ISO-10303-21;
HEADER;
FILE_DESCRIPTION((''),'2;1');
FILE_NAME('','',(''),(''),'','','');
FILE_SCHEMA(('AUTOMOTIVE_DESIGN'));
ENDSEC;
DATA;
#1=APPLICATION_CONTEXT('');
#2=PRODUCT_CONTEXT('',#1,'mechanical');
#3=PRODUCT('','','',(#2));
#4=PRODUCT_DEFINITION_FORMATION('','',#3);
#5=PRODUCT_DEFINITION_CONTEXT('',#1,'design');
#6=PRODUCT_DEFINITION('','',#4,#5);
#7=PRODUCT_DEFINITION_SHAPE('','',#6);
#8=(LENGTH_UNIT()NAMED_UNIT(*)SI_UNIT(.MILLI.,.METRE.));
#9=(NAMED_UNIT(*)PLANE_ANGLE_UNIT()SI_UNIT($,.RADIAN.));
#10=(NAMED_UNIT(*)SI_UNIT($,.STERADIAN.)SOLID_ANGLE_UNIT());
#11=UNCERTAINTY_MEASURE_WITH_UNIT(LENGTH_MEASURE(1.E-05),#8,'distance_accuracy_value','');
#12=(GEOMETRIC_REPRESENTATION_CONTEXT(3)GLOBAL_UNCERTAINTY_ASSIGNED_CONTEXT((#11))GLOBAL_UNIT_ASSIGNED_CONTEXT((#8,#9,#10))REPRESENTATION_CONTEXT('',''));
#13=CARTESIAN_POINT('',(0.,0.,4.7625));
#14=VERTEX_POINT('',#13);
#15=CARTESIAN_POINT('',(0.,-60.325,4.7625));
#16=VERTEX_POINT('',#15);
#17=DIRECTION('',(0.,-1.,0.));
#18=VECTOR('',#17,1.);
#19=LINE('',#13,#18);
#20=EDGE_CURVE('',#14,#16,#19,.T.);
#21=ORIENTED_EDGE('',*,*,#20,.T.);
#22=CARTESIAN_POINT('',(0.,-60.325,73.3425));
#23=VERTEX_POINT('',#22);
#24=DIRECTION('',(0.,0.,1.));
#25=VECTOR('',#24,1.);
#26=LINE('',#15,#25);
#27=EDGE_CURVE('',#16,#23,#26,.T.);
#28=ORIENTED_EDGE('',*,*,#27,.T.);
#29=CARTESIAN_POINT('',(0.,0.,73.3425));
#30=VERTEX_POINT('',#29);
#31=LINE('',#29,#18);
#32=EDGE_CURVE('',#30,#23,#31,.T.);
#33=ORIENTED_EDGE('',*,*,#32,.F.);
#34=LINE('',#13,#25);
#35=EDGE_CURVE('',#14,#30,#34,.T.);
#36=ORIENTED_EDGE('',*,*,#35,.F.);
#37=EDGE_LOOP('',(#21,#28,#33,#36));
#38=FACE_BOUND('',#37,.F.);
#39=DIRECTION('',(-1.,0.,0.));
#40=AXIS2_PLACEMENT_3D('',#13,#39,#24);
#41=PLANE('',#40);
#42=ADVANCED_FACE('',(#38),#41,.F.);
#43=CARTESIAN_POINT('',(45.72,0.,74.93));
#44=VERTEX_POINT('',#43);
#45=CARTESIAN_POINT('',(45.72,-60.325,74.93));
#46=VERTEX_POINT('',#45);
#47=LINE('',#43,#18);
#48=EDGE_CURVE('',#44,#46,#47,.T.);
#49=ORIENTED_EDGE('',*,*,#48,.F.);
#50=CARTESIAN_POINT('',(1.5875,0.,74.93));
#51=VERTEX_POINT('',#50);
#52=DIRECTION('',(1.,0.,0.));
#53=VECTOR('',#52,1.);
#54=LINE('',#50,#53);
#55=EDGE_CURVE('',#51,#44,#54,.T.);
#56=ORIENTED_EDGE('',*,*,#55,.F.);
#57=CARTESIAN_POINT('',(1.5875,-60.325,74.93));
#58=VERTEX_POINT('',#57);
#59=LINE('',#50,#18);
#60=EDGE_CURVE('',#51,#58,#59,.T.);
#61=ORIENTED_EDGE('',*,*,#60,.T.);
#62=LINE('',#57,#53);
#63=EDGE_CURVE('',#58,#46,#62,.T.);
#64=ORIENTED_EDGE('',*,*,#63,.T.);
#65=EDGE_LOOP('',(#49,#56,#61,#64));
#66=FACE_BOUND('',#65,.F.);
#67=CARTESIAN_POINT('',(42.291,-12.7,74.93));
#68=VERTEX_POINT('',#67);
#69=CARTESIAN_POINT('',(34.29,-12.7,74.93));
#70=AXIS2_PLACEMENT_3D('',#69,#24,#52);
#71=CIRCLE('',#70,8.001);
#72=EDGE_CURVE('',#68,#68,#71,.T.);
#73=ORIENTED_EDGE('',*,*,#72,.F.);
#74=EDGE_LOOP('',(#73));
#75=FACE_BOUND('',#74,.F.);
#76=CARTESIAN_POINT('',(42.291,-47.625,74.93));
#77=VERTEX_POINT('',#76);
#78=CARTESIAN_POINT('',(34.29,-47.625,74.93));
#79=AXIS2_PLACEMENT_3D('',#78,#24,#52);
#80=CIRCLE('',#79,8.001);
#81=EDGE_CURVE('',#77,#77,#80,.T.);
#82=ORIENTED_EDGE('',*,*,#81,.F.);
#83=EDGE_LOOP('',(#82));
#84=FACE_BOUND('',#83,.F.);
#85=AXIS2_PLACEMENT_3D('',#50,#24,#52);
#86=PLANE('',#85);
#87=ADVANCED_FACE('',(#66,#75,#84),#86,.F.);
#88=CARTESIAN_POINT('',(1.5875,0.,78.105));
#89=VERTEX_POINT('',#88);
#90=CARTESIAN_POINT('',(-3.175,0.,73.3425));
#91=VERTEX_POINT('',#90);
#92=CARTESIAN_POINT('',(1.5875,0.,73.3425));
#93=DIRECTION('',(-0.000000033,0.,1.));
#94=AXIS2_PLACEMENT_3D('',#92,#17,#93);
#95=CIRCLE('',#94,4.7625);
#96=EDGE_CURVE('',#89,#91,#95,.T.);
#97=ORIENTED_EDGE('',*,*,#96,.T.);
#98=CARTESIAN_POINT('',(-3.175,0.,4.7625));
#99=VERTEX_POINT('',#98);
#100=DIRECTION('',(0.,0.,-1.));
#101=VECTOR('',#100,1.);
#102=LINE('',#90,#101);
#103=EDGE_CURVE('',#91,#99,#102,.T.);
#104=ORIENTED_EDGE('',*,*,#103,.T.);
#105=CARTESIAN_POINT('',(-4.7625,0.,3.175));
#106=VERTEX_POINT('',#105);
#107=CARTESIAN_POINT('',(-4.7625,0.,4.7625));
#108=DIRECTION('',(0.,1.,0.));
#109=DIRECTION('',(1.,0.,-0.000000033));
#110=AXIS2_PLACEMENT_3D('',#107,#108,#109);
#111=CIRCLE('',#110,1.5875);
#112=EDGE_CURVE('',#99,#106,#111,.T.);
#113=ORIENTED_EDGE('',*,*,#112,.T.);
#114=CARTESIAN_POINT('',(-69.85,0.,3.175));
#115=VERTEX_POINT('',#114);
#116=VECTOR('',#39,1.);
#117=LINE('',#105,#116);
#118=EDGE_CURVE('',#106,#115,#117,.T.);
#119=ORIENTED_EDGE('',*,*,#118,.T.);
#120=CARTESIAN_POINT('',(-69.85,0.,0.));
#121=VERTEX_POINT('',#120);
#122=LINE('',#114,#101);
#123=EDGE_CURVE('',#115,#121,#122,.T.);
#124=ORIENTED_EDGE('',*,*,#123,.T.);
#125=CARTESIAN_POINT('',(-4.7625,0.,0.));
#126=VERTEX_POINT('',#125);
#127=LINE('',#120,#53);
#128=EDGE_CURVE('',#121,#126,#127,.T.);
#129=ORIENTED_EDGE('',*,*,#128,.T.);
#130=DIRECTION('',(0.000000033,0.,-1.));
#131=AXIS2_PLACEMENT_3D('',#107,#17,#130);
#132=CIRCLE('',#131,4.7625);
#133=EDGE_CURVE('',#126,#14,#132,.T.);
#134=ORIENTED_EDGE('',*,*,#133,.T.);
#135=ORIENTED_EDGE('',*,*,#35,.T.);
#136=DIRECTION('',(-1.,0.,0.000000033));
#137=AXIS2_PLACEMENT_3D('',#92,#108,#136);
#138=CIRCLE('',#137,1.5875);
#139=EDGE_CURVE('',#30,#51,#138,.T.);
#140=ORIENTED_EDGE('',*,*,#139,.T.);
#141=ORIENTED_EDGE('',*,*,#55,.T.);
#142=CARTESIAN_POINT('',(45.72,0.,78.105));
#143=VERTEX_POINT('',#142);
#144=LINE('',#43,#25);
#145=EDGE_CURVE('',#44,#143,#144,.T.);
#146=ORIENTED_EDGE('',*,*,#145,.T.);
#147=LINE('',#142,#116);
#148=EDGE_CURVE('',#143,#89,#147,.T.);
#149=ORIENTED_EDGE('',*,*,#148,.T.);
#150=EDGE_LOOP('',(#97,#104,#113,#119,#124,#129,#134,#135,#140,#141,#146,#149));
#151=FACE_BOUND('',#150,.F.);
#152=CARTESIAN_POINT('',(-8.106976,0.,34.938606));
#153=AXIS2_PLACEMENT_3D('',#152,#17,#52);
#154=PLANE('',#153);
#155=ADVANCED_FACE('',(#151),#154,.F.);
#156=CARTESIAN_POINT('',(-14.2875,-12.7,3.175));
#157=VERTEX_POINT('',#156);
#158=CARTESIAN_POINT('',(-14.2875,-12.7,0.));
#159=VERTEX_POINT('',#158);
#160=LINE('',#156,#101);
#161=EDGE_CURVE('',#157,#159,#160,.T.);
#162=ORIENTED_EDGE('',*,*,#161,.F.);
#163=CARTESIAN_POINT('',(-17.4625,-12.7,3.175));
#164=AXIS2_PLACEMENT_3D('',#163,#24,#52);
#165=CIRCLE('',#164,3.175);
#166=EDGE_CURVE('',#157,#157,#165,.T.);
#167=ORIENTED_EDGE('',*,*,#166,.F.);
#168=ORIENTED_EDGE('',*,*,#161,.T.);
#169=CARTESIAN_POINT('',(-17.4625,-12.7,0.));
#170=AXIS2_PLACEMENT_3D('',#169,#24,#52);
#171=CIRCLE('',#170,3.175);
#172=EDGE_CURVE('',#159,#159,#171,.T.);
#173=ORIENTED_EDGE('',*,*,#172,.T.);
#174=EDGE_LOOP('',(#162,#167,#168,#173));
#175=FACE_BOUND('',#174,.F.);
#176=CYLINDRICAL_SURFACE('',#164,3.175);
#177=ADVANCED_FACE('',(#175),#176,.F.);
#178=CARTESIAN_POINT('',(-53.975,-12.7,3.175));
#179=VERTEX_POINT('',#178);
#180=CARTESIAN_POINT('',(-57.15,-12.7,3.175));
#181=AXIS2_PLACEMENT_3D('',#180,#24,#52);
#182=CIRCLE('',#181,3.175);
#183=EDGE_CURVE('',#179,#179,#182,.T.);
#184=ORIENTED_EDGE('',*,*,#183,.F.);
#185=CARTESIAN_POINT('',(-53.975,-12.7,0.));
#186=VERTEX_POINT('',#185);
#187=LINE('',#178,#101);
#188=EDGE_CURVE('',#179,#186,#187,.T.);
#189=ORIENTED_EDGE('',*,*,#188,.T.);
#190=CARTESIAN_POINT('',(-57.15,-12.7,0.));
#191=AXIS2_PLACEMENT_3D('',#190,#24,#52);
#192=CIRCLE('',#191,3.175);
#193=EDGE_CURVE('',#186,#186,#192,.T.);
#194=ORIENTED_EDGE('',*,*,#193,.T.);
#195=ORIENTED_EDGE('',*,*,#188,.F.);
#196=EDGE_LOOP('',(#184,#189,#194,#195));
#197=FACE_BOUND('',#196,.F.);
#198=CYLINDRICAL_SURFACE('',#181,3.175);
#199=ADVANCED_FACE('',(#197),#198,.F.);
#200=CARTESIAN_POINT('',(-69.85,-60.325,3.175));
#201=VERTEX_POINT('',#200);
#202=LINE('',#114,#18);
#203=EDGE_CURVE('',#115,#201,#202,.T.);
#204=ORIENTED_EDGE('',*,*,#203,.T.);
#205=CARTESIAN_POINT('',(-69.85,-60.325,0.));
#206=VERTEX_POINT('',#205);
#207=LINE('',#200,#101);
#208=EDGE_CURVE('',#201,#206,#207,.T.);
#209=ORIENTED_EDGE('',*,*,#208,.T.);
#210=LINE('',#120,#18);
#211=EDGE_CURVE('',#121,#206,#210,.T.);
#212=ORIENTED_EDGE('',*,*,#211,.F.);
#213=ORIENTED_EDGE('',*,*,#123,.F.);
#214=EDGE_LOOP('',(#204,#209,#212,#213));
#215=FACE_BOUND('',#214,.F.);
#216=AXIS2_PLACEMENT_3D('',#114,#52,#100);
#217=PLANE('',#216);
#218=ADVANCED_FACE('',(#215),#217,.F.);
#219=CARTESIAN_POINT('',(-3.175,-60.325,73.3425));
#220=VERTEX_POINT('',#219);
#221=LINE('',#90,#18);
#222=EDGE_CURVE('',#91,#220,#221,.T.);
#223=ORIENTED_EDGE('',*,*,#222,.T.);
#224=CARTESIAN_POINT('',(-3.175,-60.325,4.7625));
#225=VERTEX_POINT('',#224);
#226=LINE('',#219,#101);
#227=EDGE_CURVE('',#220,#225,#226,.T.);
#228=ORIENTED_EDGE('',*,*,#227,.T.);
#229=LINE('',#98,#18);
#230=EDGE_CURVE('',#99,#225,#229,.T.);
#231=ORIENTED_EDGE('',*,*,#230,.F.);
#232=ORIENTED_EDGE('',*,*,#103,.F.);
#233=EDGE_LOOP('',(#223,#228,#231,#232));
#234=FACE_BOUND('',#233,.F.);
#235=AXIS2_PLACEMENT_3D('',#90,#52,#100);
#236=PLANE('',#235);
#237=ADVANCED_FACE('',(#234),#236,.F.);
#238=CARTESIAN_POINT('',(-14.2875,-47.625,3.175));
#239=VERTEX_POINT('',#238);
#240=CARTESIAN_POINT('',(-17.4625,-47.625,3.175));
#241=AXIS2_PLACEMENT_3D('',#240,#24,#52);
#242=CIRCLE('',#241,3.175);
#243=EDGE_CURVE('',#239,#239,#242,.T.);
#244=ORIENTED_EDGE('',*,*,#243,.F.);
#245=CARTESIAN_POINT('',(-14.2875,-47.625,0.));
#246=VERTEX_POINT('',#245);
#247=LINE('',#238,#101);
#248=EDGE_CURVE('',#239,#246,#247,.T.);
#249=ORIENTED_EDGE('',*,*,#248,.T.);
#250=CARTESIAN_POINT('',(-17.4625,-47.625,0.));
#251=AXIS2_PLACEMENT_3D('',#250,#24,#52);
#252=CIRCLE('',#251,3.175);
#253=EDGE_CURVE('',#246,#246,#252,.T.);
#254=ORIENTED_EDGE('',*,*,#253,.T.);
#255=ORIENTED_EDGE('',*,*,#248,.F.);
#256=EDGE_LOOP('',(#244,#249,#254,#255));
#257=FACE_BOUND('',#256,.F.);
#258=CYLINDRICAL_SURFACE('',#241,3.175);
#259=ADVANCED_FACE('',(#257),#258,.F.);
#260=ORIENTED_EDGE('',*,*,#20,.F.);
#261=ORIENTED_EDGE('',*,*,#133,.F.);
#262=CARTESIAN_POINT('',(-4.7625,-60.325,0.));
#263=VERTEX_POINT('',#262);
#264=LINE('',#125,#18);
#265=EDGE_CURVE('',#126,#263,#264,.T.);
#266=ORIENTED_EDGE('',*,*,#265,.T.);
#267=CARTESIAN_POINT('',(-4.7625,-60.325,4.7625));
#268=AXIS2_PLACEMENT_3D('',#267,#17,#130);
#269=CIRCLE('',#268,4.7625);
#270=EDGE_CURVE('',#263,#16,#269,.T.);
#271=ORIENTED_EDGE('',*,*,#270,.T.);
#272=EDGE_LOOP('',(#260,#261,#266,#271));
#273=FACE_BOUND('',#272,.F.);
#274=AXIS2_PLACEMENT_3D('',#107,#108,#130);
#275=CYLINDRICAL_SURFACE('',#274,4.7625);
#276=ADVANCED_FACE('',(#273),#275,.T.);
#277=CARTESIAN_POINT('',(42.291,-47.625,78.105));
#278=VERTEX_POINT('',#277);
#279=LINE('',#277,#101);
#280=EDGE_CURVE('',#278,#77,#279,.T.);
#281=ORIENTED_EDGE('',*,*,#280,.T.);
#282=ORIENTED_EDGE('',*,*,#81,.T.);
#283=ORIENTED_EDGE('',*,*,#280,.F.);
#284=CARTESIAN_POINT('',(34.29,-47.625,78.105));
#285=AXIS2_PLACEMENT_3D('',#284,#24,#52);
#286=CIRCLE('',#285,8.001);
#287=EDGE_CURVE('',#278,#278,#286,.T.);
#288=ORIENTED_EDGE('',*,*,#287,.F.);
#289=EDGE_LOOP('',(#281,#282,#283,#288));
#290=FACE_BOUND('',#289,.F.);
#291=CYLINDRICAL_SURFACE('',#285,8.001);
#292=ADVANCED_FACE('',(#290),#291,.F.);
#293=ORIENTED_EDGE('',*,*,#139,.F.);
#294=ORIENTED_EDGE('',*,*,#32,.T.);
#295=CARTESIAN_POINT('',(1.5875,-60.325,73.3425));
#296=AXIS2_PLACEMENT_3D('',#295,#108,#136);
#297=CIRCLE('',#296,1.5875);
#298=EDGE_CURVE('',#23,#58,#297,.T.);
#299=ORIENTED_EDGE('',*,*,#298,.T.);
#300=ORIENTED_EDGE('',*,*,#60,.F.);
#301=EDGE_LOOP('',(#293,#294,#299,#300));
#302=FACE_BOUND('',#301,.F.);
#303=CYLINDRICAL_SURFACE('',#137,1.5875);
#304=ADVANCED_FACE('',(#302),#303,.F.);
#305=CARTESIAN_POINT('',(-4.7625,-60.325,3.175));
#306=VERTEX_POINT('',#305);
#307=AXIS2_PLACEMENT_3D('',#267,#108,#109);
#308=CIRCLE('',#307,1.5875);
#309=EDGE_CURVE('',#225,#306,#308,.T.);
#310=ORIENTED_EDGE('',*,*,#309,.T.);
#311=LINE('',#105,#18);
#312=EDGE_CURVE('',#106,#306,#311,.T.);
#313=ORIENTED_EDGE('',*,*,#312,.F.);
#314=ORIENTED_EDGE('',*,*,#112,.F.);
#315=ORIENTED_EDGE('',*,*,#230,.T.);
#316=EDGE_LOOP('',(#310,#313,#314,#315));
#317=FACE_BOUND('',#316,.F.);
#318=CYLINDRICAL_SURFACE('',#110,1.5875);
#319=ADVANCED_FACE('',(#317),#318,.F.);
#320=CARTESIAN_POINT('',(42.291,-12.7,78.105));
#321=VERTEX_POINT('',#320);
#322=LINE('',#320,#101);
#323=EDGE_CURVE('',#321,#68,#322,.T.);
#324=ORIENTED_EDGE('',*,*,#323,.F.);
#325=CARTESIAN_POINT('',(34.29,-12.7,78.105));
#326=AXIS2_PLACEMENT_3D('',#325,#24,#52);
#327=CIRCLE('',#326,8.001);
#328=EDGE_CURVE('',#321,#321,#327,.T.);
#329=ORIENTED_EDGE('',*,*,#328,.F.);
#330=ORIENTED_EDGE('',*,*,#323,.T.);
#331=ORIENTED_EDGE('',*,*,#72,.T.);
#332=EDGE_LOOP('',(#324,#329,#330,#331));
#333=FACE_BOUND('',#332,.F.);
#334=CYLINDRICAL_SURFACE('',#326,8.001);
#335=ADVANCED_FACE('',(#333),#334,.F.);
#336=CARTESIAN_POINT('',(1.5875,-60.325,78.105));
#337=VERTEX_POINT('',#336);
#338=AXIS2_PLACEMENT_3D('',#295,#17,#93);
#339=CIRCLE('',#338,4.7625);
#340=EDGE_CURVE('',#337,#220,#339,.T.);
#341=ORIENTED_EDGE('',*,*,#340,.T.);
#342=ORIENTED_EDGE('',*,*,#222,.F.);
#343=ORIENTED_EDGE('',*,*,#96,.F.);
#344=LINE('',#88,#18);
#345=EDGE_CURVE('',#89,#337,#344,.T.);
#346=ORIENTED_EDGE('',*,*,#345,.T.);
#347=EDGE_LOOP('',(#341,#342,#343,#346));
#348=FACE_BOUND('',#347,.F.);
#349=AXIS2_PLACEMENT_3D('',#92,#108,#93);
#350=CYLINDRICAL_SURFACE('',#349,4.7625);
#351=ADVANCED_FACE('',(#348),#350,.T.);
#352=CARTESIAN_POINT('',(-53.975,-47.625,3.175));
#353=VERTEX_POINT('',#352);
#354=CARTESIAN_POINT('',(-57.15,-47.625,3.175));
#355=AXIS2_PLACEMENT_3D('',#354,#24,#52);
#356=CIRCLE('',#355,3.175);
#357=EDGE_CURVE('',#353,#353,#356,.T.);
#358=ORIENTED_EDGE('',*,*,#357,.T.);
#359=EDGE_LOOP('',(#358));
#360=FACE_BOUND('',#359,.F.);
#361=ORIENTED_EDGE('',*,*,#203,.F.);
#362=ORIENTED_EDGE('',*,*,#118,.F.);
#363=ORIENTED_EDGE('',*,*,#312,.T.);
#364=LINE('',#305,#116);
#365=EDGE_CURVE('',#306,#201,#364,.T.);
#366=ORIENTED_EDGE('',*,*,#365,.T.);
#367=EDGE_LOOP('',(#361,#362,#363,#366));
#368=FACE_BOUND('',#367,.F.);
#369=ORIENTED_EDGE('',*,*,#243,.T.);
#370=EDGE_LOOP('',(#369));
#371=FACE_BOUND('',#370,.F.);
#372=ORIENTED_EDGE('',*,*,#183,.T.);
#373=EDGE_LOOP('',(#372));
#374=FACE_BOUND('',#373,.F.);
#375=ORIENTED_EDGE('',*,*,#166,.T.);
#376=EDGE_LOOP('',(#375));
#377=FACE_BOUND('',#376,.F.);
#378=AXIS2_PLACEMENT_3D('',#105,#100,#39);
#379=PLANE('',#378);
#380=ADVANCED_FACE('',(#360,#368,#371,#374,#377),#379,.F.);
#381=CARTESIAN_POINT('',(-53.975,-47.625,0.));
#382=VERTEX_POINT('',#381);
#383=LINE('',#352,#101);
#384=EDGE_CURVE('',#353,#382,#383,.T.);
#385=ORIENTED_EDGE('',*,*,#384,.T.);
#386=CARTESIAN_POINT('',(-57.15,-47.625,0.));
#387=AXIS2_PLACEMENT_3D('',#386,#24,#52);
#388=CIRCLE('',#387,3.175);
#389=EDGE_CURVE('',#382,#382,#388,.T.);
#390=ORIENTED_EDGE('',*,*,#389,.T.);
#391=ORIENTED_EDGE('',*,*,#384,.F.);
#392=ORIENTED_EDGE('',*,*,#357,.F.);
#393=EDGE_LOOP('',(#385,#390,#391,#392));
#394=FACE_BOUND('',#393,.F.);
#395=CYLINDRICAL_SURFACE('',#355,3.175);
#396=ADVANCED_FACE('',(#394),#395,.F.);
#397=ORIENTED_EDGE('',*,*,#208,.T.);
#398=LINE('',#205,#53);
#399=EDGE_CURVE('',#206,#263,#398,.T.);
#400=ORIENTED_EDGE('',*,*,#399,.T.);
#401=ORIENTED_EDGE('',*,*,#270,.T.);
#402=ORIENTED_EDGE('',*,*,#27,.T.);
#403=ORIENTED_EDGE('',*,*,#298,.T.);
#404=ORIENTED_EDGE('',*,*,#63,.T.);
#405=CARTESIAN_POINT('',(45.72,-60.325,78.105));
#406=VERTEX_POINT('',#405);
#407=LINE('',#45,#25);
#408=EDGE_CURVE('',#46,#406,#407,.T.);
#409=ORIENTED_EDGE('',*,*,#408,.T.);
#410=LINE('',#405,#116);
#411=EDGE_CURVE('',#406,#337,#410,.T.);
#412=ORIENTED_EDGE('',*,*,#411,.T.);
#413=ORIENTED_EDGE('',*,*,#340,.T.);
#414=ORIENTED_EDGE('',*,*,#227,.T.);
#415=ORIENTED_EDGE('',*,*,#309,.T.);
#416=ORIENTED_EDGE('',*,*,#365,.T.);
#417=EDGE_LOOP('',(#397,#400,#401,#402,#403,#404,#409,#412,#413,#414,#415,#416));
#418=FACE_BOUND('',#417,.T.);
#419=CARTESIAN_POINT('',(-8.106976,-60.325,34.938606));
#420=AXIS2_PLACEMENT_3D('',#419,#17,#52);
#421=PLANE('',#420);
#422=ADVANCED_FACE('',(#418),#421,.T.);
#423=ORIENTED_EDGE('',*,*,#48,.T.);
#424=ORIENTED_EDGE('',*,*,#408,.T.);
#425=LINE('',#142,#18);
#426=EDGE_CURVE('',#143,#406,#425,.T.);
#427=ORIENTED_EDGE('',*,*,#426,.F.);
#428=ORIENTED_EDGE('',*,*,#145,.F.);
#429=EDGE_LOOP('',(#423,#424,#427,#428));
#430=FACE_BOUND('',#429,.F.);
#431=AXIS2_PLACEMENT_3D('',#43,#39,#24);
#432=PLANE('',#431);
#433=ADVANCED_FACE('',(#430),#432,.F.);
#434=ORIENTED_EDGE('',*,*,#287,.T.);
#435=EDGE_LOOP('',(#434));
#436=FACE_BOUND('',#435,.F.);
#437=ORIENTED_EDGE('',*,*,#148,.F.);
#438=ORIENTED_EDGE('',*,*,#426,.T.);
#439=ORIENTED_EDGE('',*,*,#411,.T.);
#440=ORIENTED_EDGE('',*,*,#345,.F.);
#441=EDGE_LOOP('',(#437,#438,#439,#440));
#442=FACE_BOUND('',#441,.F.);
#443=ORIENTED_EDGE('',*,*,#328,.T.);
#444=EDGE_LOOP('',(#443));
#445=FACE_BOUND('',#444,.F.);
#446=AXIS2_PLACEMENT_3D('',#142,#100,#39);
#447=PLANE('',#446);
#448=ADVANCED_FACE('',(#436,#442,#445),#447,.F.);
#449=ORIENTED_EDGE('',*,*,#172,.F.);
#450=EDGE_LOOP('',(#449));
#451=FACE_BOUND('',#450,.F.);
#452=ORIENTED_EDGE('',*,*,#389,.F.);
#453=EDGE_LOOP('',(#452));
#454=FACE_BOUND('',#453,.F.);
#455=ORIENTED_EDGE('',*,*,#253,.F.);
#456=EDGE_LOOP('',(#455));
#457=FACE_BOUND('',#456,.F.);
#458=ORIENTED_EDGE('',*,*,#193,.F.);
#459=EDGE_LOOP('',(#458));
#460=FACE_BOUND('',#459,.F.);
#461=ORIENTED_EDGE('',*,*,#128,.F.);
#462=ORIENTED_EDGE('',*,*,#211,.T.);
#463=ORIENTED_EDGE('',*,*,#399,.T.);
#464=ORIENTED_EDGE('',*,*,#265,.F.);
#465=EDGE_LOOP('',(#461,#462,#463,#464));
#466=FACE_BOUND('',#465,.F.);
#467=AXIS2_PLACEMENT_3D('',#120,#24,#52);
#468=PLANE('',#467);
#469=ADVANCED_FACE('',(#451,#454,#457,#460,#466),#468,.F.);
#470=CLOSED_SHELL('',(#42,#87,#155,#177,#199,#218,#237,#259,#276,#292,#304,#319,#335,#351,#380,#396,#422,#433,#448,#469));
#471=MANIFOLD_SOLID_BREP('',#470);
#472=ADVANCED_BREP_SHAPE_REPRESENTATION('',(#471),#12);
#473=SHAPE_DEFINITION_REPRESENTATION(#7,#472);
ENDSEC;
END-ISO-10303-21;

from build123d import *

# Parameters (mm, degrees)
F1_DEPTH = 60.325
F2_R     = 8.001
F3_DEPTH = 25.4
F4_R     = 3.175
F5_DEPTH = 25.4


with BuildPart() as f1:
    # F0 (on Front) → F1 (new body)
    with BuildSketch(Plane.XZ):
        with BuildLine():
            Line((-4.7625, 3.175), (-69.85, 3.175))
            Line((-69.85, 3.175), (-69.85, 0))
            Line((-69.85, 0), (-4.7625, 0))
            ThreePointArc((-4.7625, 0), (-1.394904, 1.394904), (0, 4.7625))
            Line((0, 4.7625), (0, 73.3425))
            ThreePointArc((0, 73.3425), (0.464968, 74.465032), (1.5875, 74.93))
            Line((1.5875, 74.93), (45.72, 74.93))
            Line((45.72, 74.93), (45.72, 78.105))
            Line((45.72, 78.105), (1.5875, 78.105))
            ThreePointArc((1.5875, 78.105), (-1.780096, 76.710096), (-3.175, 73.3425))
            Line((-3.175, 73.3425), (-3.175, 4.7625))
            ThreePointArc((-3.175, 4.7625), (-3.639968, 3.639968), (-4.7625, 3.175))
        make_face()
    extrude(amount=F1_DEPTH)

    # F2 (on face) → F3 (cut)
    with BuildSketch(Plane.XY.offset(78.105)):
        with Locations((34.29, -12.7)):
            Circle(F2_R)
        with Locations((34.29, -47.625)):
            Circle(F2_R)
    extrude(amount=-F3_DEPTH, mode=Mode.SUBTRACT)

    # F4 (on face) → F5 (cut)
    with BuildSketch(Plane.XY.offset(3.175)):
        with Locations((-57.15, -12.7)):
            Circle(F4_R)
        with Locations((-17.4625, -12.7)):
            Circle(F4_R)
        with Locations((-17.4625, -47.625)):
            Circle(F4_R)
        with Locations((-57.15, -47.625)):
            Circle(F4_R)
    extrude(amount=-F5_DEPTH, mode=Mode.SUBTRACT)


solid = f1.part
